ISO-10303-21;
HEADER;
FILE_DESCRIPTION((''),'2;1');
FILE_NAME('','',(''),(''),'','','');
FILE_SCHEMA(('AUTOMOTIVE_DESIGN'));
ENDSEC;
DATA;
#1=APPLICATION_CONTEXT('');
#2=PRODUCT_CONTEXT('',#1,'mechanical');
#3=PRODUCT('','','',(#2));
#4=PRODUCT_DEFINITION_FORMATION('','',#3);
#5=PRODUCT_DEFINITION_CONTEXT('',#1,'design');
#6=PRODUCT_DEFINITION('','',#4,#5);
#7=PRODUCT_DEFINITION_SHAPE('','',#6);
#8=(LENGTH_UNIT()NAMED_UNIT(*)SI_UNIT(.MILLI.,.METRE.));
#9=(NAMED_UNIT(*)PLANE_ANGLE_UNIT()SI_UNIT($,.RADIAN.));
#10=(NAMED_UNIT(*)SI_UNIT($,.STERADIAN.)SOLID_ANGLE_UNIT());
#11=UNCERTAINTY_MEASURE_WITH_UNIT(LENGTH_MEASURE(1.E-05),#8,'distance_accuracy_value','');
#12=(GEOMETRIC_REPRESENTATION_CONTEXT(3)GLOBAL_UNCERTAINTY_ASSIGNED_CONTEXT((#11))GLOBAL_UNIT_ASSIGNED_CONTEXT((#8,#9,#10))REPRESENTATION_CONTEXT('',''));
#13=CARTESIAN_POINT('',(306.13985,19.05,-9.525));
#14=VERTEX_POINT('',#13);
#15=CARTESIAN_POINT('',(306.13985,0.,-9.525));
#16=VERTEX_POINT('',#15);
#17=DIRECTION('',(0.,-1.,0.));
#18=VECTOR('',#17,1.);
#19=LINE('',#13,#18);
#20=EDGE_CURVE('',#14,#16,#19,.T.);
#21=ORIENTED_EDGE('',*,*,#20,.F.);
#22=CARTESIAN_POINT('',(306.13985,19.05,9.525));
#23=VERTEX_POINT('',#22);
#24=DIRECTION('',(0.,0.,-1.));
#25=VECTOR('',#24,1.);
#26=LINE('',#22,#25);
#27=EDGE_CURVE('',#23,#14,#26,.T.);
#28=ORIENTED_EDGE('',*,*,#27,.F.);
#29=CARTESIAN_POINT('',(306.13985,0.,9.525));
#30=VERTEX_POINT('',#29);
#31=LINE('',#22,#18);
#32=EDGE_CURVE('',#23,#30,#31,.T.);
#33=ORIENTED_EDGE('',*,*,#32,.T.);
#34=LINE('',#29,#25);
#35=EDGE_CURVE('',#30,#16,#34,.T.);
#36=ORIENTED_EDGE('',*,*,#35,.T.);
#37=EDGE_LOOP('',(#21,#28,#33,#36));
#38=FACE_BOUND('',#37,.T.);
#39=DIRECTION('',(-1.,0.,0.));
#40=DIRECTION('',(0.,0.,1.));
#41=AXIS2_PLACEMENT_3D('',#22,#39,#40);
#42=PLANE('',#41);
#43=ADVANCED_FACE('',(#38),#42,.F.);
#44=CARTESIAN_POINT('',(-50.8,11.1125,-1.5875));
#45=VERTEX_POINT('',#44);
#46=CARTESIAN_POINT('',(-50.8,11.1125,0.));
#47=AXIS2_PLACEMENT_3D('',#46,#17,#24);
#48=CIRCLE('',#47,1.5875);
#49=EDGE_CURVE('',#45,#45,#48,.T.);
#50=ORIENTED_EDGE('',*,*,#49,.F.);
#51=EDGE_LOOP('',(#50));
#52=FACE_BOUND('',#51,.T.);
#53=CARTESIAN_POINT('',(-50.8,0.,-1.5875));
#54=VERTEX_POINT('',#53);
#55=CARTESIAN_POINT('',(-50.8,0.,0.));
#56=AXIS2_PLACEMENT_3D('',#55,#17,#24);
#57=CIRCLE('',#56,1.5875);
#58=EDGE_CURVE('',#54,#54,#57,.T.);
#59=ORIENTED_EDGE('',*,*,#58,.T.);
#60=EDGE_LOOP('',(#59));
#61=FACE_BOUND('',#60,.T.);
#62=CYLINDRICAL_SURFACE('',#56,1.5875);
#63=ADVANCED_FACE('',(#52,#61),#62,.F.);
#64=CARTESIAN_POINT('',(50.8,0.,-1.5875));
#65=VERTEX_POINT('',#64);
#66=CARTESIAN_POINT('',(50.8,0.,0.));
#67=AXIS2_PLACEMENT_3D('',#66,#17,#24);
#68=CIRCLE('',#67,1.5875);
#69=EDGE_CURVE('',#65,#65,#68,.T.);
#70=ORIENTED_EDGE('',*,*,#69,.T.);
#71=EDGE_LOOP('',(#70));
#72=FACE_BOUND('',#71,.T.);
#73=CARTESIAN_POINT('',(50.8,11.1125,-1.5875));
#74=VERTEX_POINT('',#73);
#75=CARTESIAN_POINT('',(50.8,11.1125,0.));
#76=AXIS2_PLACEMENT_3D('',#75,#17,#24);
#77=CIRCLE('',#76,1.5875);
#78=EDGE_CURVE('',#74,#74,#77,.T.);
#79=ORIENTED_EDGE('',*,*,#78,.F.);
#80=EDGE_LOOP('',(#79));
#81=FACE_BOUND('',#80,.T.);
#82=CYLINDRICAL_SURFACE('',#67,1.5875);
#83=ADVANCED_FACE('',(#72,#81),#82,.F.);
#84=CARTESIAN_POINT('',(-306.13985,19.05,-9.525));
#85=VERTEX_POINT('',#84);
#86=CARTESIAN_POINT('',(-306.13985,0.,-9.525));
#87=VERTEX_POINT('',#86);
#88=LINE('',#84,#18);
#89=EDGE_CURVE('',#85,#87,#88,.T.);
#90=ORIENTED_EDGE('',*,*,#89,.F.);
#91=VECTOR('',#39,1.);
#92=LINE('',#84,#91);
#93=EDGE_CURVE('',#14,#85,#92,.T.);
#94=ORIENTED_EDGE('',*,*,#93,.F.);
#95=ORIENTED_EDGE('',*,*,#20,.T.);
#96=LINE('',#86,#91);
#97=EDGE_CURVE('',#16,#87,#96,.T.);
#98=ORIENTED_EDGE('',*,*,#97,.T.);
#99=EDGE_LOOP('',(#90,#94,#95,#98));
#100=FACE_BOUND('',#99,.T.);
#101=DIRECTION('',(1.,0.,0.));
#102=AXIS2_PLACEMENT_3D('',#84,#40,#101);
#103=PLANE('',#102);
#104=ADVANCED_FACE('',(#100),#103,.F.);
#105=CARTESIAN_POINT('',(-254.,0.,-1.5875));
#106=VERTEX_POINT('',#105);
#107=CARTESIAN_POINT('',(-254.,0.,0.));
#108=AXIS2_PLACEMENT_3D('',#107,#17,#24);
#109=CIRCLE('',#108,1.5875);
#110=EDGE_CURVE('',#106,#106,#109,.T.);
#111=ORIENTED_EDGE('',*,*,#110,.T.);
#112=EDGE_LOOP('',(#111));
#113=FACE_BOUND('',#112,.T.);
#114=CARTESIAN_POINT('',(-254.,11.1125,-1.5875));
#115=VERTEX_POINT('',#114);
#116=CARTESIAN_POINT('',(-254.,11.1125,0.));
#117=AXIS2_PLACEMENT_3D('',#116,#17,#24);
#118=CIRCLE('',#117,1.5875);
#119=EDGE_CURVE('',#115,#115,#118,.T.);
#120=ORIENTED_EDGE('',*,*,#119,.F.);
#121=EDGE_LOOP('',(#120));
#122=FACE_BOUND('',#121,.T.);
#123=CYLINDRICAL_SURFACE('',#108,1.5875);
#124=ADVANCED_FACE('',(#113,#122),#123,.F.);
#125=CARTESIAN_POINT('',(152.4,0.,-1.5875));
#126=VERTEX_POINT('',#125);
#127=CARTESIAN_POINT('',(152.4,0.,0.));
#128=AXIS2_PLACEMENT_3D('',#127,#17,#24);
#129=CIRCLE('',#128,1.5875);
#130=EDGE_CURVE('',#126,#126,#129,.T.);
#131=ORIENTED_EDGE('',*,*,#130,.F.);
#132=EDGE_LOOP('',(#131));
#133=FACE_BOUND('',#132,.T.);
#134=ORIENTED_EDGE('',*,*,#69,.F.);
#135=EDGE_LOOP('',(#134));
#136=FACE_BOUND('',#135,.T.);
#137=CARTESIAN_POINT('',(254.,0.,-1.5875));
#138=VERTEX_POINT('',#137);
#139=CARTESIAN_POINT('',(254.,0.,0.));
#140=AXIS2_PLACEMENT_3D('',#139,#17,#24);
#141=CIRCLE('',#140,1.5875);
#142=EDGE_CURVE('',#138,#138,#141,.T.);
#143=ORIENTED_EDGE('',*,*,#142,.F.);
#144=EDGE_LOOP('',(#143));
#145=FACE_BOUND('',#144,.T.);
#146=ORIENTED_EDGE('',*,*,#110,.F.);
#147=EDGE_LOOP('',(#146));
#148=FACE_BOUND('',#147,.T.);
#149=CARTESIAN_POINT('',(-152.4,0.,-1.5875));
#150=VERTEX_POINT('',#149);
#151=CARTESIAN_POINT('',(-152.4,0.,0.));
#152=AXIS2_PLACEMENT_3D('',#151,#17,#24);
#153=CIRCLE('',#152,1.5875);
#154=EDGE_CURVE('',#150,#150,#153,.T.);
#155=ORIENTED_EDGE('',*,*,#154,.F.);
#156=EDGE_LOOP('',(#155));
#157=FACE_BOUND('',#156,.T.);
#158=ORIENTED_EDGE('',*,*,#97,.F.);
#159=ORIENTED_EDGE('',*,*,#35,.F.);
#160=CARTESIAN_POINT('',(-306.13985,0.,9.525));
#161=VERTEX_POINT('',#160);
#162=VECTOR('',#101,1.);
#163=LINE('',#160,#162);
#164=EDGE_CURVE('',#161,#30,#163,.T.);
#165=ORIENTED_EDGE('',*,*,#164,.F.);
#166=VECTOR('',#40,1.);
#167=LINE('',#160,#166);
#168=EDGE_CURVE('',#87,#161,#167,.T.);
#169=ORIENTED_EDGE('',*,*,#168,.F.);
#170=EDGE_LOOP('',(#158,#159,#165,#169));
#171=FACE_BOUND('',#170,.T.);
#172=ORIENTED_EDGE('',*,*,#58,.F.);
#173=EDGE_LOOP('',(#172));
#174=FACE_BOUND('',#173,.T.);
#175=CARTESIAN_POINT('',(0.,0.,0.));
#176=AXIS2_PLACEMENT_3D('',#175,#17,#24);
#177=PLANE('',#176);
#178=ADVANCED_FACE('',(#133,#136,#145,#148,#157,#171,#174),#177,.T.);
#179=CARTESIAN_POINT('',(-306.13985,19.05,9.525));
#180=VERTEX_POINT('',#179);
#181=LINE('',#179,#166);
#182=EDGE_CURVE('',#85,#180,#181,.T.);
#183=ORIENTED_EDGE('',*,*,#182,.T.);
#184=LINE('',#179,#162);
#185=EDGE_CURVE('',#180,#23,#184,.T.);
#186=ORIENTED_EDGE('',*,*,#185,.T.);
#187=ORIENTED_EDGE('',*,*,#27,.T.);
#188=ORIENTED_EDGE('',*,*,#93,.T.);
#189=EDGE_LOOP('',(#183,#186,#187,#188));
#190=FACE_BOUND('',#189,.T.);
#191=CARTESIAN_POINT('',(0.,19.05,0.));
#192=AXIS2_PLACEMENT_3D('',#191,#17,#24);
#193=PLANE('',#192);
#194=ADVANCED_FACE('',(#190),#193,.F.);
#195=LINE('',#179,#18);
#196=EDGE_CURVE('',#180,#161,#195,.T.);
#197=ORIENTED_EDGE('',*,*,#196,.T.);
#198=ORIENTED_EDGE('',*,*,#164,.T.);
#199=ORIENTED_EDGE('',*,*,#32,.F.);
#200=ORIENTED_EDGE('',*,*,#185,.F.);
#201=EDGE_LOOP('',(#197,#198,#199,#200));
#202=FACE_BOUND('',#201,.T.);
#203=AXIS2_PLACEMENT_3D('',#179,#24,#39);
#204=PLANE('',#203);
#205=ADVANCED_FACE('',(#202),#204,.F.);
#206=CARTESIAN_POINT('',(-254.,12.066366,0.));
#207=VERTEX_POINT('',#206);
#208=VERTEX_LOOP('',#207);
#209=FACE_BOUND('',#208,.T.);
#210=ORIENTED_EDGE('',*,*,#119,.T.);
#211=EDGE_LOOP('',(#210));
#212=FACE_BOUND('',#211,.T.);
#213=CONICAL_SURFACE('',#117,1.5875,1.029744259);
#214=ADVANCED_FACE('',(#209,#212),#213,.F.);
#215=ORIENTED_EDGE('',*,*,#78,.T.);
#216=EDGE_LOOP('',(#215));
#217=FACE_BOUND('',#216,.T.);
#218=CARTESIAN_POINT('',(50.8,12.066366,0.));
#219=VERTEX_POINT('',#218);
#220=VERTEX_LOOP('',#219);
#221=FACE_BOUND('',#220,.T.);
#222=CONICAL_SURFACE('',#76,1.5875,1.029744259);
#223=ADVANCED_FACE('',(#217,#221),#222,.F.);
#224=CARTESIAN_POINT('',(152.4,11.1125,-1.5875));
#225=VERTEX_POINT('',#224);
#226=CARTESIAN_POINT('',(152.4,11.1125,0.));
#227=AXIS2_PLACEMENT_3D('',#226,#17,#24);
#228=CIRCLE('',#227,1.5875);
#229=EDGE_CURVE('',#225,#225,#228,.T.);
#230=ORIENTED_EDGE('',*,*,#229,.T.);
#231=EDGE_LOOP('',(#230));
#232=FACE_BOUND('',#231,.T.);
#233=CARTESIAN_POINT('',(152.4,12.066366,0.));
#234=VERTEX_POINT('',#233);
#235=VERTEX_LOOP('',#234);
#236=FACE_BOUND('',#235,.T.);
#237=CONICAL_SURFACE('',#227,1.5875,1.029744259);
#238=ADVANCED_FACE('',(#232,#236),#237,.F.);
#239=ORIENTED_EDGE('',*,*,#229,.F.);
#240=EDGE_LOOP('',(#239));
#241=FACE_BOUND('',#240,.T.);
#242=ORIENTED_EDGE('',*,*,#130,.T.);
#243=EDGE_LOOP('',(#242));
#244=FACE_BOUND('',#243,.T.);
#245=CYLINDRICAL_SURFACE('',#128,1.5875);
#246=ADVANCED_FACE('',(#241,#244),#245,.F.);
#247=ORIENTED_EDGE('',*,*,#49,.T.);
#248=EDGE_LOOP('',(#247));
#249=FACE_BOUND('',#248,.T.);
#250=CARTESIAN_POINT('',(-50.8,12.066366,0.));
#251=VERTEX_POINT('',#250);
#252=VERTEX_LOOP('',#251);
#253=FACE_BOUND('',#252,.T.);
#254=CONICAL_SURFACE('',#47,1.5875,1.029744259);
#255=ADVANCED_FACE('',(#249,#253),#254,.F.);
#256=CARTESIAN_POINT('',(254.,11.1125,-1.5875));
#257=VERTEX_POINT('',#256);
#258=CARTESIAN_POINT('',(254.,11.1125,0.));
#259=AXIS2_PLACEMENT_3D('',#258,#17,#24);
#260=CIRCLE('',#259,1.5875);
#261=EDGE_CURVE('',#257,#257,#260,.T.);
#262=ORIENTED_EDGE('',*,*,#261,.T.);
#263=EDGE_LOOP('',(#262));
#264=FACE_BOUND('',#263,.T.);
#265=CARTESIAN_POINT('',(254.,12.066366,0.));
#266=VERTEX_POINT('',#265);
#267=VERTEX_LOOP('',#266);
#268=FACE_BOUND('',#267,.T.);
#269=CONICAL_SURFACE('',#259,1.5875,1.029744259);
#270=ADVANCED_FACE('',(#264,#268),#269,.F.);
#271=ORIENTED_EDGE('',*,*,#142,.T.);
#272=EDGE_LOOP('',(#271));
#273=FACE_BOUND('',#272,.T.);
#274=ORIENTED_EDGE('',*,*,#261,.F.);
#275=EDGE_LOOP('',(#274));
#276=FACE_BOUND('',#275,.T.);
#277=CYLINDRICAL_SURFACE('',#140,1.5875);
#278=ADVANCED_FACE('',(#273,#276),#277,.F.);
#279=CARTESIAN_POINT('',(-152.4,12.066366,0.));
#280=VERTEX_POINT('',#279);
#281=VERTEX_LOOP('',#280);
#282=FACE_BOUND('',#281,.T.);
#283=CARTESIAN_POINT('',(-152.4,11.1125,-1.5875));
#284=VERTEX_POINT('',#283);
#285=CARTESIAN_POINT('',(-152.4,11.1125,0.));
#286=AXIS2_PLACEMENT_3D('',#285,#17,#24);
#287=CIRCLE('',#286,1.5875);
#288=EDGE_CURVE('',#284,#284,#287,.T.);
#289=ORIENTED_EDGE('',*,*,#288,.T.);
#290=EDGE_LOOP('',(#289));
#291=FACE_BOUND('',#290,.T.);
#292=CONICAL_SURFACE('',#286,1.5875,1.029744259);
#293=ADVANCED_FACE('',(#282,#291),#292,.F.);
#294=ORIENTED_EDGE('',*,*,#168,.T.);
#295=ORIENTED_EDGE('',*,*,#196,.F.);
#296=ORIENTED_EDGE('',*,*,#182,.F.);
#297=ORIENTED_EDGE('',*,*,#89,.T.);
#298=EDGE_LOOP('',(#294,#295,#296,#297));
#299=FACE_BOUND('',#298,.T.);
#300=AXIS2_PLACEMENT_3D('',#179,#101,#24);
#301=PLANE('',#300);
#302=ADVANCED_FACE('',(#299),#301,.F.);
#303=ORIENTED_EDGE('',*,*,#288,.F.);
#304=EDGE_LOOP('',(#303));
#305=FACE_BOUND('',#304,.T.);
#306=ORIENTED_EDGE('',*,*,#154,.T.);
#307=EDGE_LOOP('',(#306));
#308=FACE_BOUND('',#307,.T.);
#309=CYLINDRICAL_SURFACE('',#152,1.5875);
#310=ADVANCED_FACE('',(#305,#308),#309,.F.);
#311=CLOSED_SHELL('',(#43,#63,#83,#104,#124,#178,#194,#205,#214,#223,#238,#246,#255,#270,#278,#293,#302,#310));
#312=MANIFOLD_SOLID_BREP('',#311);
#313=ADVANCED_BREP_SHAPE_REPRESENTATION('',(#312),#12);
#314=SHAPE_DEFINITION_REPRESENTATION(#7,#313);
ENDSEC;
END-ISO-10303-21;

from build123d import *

# Parameters (mm, degrees)
SKETCH1_W                        = 612.2797
SKETCH1_H                        = 19.05
BOSS_EXTRUDE1_DEPTH              = 19.05
F_1_8_0_125_DIAMETER_HOLE1_D     = 3.175
F_1_8_0_125_DIAMETER_HOLE1_DEPTH = 11.1125
F_1_8_0_125_DIAMETER_HOLE1_TIP   = 0.953866233


with BuildPart() as part:
    # Sketch1 → Boss-Extrude1 (new body)
    with BuildSketch(Plane(origin=(0, 0, 0), x_dir=(1, 0, 0), z_dir=(0, 1, 0))):
        Rectangle(SKETCH1_W, SKETCH1_H)
    extrude(amount=BOSS_EXTRUDE1_DEPTH)

    # 1/8 (0.125) Diameter Hole1
    with Locations(Plane(origin=(0, 0, 0), x_dir=(-1, 0, 0), z_dir=(0, -1, 0))):
        with Locations((254, 0), (152.4, 0), (50.8, 0), (-50.8, 0), (-152.4, 0), (-254, 0)):
            Hole(F_1_8_0_125_DIAMETER_HOLE1_D / 2, depth=F_1_8_0_125_DIAMETER_HOLE1_DEPTH)
            with Locations((0, 0, -(F_1_8_0_125_DIAMETER_HOLE1_DEPTH + F_1_8_0_125_DIAMETER_HOLE1_TIP / 2))):  # 118° drill point
                Cone(0, F_1_8_0_125_DIAMETER_HOLE1_D / 2, F_1_8_0_125_DIAMETER_HOLE1_TIP, mode=Mode.SUBTRACT)


solid = part.part
